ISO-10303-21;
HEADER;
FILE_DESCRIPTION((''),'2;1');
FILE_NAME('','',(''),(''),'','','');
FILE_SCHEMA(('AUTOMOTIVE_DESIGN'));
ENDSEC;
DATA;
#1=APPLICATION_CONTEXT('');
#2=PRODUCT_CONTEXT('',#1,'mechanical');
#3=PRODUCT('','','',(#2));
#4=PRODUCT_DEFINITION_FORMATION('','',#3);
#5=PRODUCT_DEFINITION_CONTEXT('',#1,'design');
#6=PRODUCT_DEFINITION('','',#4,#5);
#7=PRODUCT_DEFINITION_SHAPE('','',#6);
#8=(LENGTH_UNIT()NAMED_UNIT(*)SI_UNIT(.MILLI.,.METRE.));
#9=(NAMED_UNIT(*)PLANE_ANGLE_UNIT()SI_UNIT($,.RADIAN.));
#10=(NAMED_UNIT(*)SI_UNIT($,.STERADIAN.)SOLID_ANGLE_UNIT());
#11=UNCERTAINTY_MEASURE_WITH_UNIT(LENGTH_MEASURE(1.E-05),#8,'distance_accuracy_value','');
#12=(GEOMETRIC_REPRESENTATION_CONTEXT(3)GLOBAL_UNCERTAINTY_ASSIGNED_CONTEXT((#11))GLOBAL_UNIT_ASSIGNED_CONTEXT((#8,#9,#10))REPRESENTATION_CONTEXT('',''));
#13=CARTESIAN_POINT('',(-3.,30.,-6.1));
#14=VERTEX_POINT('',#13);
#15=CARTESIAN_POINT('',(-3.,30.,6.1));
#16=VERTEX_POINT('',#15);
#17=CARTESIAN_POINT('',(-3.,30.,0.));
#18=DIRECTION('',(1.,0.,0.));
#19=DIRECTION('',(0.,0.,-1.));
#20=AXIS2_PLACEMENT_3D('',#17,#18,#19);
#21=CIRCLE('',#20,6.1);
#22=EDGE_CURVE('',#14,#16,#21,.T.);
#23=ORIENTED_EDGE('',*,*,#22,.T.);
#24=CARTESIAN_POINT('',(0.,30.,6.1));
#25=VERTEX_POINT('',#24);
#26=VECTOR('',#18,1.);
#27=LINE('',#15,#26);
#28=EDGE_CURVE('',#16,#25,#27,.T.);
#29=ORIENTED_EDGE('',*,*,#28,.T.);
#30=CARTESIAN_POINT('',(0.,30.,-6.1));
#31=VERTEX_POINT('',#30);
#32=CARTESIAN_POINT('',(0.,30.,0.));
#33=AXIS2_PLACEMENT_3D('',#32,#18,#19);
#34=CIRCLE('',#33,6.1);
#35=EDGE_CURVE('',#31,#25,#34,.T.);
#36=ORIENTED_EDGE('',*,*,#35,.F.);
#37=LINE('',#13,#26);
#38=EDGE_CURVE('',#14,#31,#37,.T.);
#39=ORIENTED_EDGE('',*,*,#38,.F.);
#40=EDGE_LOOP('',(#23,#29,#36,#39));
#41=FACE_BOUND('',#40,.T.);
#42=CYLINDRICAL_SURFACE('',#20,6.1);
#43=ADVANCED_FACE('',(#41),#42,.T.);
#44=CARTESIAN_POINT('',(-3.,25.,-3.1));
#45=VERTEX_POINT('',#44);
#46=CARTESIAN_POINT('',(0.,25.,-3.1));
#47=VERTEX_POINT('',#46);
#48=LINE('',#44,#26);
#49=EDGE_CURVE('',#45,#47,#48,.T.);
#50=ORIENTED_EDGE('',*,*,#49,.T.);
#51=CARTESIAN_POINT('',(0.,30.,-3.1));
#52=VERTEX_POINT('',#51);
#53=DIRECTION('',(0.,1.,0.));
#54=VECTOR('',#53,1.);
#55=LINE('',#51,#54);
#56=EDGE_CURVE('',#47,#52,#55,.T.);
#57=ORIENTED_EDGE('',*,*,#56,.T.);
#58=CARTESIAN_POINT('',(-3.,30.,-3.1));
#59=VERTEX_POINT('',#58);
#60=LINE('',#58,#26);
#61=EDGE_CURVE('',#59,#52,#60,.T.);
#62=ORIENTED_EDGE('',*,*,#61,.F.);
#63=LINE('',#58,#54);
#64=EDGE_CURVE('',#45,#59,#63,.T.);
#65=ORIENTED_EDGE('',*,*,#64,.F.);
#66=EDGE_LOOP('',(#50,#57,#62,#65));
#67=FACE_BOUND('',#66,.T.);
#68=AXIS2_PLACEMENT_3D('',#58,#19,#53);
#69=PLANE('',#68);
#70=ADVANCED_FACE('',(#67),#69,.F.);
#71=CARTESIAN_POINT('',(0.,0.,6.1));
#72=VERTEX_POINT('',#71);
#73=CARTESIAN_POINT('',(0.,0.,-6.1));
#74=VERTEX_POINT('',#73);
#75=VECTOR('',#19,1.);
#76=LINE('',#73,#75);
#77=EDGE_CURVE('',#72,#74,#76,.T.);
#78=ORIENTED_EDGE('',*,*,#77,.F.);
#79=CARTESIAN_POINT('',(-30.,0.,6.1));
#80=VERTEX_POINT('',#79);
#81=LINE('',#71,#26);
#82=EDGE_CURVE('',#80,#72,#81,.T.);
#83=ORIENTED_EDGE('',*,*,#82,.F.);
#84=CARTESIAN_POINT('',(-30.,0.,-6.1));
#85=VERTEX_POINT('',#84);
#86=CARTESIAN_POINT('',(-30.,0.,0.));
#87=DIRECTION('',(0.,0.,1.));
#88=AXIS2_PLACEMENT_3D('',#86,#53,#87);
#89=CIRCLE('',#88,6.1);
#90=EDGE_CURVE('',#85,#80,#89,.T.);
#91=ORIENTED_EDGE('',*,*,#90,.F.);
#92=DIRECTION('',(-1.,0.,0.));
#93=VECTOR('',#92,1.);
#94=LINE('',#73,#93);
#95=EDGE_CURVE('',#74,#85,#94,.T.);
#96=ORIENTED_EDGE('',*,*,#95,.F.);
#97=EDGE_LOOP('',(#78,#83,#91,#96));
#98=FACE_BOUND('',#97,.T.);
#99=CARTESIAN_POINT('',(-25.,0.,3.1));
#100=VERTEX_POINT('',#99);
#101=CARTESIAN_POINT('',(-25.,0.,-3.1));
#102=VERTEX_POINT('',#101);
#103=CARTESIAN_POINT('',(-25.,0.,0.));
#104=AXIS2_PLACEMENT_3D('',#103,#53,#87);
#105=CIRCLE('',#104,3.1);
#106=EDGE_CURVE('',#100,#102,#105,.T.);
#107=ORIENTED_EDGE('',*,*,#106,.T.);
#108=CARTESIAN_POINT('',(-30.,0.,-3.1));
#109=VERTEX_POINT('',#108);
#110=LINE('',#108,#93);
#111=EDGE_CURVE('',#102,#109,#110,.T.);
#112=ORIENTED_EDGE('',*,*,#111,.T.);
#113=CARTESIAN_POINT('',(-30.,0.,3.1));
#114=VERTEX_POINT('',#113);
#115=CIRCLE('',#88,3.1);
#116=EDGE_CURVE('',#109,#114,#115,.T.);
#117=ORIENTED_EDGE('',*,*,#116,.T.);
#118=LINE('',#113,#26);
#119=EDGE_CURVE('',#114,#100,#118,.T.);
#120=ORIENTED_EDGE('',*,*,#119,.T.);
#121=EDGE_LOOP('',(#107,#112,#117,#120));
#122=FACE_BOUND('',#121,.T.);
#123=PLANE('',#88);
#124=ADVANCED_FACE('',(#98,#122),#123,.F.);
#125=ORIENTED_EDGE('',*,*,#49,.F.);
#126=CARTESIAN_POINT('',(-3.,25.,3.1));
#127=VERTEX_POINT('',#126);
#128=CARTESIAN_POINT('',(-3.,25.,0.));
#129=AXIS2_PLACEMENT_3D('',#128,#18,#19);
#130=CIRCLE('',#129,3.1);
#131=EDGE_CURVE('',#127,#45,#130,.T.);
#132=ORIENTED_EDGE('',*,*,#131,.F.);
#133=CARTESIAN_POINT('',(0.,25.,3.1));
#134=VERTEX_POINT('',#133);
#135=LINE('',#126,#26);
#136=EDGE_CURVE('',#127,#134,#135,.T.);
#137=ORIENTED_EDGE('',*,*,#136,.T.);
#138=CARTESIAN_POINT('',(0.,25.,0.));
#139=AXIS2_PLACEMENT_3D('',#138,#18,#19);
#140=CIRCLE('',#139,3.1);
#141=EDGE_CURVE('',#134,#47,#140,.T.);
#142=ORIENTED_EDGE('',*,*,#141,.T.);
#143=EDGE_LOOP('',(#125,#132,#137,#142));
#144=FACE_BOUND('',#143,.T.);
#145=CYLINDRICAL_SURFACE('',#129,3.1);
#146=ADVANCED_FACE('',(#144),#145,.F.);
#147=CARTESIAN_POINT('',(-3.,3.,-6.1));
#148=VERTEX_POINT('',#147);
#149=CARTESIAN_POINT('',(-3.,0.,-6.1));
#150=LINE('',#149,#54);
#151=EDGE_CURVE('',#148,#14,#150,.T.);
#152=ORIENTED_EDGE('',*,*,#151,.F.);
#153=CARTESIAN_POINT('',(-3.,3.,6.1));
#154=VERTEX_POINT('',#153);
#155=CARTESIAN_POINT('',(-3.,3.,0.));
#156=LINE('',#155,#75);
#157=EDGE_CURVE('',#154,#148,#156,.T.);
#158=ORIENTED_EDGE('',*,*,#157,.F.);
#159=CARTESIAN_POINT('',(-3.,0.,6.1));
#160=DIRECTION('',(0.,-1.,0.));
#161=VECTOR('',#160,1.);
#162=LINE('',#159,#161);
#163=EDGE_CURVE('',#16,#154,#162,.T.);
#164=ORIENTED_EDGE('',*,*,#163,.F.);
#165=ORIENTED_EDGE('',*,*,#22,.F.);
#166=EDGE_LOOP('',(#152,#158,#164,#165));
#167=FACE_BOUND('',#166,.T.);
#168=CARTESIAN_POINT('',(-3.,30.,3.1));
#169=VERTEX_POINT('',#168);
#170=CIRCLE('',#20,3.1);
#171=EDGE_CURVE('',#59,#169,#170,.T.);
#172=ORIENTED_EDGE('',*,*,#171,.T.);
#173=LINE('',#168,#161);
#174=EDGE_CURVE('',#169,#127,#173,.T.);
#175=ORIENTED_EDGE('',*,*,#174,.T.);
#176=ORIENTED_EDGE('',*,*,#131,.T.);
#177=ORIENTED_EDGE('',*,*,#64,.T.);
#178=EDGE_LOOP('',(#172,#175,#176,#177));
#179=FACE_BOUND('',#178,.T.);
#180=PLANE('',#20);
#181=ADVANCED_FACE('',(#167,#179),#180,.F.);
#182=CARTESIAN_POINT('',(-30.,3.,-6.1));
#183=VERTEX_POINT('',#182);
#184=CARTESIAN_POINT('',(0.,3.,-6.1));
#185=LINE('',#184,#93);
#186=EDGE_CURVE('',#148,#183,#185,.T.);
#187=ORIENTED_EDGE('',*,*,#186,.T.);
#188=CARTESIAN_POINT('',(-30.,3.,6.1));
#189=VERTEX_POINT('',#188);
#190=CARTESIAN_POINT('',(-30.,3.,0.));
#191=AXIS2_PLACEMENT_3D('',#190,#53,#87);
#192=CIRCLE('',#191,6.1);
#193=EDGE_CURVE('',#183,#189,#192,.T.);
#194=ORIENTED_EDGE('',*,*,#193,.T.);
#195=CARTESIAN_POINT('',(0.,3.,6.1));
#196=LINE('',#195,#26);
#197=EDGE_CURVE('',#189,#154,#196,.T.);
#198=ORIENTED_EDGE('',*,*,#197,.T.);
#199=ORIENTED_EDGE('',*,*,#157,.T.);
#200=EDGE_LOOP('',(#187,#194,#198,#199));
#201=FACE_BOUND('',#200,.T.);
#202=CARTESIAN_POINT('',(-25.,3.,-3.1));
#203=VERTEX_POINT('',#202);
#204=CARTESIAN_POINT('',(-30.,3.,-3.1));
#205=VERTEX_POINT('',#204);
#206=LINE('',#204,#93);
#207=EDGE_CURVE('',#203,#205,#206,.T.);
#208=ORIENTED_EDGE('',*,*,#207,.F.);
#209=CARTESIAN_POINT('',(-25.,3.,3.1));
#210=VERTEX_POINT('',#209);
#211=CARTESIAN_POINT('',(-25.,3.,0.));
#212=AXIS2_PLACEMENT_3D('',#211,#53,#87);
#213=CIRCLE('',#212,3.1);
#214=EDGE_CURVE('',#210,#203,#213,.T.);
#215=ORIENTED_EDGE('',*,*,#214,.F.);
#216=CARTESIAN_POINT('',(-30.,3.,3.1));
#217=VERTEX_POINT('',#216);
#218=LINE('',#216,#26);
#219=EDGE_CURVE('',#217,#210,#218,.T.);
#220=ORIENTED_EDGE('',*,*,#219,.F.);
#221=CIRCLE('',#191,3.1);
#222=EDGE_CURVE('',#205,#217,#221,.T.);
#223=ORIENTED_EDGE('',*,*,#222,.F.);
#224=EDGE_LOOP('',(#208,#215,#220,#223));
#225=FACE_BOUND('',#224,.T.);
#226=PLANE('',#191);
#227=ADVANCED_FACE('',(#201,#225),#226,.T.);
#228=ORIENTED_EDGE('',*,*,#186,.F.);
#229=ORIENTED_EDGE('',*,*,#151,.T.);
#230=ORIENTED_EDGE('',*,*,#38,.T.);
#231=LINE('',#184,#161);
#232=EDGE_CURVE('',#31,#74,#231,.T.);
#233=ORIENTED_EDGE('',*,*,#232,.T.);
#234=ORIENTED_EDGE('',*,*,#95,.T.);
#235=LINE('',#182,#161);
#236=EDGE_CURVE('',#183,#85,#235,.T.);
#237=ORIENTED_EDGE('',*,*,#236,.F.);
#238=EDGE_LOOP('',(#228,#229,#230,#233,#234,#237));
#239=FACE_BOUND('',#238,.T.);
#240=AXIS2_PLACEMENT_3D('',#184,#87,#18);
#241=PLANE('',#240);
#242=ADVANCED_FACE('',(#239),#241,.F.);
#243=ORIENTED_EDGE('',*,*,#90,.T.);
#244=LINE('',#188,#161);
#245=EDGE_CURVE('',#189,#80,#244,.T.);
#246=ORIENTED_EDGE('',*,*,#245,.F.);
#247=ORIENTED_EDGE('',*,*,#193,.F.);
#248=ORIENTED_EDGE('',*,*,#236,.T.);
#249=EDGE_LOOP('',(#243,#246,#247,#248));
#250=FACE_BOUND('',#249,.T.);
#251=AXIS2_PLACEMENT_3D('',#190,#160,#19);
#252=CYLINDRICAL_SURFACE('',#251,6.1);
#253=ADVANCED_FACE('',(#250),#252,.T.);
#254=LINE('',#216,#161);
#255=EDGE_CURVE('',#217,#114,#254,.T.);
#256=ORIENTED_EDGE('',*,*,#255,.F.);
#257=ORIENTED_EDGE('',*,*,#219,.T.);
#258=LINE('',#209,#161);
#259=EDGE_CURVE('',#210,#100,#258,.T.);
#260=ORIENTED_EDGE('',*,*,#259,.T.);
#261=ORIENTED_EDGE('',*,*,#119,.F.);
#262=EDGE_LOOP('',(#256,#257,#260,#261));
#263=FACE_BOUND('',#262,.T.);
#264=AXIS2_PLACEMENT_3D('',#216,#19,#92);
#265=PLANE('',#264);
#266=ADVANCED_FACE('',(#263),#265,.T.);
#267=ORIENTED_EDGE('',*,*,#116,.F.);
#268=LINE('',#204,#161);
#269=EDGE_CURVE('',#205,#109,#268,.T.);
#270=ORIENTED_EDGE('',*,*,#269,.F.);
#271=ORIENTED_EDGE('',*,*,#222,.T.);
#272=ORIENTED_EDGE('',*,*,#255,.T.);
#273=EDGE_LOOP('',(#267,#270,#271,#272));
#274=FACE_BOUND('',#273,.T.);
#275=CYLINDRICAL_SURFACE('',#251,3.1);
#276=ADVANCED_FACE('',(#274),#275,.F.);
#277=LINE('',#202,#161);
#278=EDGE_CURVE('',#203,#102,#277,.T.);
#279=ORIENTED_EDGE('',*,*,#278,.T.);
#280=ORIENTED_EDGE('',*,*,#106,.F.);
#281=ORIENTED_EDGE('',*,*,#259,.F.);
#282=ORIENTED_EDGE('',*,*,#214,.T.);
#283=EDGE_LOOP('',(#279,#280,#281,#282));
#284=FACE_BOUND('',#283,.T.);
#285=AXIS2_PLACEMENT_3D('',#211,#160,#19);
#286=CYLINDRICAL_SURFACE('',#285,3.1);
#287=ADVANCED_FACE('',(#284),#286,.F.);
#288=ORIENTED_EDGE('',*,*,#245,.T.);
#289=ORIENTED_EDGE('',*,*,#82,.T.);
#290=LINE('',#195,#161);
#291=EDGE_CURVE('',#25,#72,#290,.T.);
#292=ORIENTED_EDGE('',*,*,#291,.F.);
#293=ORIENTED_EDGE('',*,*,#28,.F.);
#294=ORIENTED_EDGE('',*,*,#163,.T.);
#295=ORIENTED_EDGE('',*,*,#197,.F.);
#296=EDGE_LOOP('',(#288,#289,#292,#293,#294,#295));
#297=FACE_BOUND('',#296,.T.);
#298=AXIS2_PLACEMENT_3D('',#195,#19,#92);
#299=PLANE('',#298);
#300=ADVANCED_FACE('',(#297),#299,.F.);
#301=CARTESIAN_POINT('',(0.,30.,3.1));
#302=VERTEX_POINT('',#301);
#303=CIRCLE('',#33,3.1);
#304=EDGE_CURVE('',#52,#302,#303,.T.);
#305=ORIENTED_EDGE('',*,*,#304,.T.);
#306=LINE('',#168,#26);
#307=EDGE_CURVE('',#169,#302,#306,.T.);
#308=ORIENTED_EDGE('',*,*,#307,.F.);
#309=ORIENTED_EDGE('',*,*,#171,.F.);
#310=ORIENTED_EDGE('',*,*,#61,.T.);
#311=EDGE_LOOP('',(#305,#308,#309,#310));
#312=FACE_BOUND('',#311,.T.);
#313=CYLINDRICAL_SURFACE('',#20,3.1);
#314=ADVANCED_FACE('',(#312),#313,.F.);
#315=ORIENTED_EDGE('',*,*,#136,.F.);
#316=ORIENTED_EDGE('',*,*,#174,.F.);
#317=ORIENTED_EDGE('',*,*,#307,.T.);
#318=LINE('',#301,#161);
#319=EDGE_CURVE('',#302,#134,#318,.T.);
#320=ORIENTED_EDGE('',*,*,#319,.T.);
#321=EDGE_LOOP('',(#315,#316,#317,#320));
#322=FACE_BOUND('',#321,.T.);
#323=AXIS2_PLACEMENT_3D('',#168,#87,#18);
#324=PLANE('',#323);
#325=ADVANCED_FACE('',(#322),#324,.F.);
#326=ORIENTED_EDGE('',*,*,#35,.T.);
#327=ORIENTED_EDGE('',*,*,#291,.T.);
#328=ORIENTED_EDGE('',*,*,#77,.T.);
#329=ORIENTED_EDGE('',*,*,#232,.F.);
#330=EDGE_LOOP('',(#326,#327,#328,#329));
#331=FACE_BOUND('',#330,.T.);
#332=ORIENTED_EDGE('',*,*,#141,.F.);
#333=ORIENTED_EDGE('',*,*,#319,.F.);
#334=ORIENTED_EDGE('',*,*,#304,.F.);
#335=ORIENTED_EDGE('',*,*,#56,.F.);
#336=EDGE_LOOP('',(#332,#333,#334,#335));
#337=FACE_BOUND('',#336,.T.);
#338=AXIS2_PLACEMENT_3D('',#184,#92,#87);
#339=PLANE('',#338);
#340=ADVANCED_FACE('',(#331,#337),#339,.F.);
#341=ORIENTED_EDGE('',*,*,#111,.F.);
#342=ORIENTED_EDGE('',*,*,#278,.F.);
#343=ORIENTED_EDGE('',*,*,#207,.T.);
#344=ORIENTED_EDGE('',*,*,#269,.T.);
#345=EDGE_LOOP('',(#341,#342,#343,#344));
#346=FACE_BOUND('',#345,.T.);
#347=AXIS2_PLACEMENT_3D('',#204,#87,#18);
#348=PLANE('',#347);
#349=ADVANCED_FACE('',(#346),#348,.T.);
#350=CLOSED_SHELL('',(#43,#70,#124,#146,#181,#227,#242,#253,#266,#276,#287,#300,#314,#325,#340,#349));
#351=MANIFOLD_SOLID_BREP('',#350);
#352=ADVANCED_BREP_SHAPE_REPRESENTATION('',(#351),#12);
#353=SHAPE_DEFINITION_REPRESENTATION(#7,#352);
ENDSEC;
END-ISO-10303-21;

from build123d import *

# Parameters (mm, degrees)
BOSS_EXTRUDE1_DEPTH = 3
BOSS_EXTRUDE3_DEPTH = 3


with BuildPart() as part:
    # Sketch1 → Boss-Extrude1 (new body)
    with BuildSketch(Plane(origin=(0, 0, 0), x_dir=(1, 0, 0), z_dir=(0, 1, 0))):
        with BuildLine():
            Line((0, -6.1), (-30, -6.1))
            ThreePointArc((-30, -6.1), (-36.1, 0), (-30, 6.1))
            Line((-30, 6.1), (0, 6.1))
            Line((0, 6.1), (0, -6.1))
        make_face()
        with BuildLine():
            Line((-30, 3.1), (-25, 3.1))
            ThreePointArc((-25, 3.1), (-21.9, 0), (-25, -3.1))
            Line((-25, -3.1), (-30, -3.1))
            ThreePointArc((-30, -3.1), (-33.1, 0), (-30, 3.1))
        make_face(mode=Mode.SUBTRACT)
    extrude(amount=BOSS_EXTRUDE1_DEPTH)

    # Sketch4 → Boss-Extrude3 (add)
    with BuildSketch(Plane(origin=(0, 0, 0), x_dir=(0, 0, -1), z_dir=(1, 0, 0))):
        with BuildLine():
            Line((-6.1, 0), (-6.1, 30))
            ThreePointArc((-6.1, 30), (0, 36.1), (6.1, 30))
            Line((6.1, 30), (6.1, 0))
            Line((6.1, 0), (-6.1, 0))
        make_face()
        with BuildLine():
            Line((3.1, 30), (3.1, 25))
            ThreePointArc((3.1, 25), (0, 21.9), (-3.1, 25))
            Line((-3.1, 25), (-3.1, 30))
            ThreePointArc((-3.1, 30), (0, 33.1), (3.1, 30))
        make_face(mode=Mode.SUBTRACT)
    extrude(amount=-BOSS_EXTRUDE3_DEPTH)


solid = part.part
